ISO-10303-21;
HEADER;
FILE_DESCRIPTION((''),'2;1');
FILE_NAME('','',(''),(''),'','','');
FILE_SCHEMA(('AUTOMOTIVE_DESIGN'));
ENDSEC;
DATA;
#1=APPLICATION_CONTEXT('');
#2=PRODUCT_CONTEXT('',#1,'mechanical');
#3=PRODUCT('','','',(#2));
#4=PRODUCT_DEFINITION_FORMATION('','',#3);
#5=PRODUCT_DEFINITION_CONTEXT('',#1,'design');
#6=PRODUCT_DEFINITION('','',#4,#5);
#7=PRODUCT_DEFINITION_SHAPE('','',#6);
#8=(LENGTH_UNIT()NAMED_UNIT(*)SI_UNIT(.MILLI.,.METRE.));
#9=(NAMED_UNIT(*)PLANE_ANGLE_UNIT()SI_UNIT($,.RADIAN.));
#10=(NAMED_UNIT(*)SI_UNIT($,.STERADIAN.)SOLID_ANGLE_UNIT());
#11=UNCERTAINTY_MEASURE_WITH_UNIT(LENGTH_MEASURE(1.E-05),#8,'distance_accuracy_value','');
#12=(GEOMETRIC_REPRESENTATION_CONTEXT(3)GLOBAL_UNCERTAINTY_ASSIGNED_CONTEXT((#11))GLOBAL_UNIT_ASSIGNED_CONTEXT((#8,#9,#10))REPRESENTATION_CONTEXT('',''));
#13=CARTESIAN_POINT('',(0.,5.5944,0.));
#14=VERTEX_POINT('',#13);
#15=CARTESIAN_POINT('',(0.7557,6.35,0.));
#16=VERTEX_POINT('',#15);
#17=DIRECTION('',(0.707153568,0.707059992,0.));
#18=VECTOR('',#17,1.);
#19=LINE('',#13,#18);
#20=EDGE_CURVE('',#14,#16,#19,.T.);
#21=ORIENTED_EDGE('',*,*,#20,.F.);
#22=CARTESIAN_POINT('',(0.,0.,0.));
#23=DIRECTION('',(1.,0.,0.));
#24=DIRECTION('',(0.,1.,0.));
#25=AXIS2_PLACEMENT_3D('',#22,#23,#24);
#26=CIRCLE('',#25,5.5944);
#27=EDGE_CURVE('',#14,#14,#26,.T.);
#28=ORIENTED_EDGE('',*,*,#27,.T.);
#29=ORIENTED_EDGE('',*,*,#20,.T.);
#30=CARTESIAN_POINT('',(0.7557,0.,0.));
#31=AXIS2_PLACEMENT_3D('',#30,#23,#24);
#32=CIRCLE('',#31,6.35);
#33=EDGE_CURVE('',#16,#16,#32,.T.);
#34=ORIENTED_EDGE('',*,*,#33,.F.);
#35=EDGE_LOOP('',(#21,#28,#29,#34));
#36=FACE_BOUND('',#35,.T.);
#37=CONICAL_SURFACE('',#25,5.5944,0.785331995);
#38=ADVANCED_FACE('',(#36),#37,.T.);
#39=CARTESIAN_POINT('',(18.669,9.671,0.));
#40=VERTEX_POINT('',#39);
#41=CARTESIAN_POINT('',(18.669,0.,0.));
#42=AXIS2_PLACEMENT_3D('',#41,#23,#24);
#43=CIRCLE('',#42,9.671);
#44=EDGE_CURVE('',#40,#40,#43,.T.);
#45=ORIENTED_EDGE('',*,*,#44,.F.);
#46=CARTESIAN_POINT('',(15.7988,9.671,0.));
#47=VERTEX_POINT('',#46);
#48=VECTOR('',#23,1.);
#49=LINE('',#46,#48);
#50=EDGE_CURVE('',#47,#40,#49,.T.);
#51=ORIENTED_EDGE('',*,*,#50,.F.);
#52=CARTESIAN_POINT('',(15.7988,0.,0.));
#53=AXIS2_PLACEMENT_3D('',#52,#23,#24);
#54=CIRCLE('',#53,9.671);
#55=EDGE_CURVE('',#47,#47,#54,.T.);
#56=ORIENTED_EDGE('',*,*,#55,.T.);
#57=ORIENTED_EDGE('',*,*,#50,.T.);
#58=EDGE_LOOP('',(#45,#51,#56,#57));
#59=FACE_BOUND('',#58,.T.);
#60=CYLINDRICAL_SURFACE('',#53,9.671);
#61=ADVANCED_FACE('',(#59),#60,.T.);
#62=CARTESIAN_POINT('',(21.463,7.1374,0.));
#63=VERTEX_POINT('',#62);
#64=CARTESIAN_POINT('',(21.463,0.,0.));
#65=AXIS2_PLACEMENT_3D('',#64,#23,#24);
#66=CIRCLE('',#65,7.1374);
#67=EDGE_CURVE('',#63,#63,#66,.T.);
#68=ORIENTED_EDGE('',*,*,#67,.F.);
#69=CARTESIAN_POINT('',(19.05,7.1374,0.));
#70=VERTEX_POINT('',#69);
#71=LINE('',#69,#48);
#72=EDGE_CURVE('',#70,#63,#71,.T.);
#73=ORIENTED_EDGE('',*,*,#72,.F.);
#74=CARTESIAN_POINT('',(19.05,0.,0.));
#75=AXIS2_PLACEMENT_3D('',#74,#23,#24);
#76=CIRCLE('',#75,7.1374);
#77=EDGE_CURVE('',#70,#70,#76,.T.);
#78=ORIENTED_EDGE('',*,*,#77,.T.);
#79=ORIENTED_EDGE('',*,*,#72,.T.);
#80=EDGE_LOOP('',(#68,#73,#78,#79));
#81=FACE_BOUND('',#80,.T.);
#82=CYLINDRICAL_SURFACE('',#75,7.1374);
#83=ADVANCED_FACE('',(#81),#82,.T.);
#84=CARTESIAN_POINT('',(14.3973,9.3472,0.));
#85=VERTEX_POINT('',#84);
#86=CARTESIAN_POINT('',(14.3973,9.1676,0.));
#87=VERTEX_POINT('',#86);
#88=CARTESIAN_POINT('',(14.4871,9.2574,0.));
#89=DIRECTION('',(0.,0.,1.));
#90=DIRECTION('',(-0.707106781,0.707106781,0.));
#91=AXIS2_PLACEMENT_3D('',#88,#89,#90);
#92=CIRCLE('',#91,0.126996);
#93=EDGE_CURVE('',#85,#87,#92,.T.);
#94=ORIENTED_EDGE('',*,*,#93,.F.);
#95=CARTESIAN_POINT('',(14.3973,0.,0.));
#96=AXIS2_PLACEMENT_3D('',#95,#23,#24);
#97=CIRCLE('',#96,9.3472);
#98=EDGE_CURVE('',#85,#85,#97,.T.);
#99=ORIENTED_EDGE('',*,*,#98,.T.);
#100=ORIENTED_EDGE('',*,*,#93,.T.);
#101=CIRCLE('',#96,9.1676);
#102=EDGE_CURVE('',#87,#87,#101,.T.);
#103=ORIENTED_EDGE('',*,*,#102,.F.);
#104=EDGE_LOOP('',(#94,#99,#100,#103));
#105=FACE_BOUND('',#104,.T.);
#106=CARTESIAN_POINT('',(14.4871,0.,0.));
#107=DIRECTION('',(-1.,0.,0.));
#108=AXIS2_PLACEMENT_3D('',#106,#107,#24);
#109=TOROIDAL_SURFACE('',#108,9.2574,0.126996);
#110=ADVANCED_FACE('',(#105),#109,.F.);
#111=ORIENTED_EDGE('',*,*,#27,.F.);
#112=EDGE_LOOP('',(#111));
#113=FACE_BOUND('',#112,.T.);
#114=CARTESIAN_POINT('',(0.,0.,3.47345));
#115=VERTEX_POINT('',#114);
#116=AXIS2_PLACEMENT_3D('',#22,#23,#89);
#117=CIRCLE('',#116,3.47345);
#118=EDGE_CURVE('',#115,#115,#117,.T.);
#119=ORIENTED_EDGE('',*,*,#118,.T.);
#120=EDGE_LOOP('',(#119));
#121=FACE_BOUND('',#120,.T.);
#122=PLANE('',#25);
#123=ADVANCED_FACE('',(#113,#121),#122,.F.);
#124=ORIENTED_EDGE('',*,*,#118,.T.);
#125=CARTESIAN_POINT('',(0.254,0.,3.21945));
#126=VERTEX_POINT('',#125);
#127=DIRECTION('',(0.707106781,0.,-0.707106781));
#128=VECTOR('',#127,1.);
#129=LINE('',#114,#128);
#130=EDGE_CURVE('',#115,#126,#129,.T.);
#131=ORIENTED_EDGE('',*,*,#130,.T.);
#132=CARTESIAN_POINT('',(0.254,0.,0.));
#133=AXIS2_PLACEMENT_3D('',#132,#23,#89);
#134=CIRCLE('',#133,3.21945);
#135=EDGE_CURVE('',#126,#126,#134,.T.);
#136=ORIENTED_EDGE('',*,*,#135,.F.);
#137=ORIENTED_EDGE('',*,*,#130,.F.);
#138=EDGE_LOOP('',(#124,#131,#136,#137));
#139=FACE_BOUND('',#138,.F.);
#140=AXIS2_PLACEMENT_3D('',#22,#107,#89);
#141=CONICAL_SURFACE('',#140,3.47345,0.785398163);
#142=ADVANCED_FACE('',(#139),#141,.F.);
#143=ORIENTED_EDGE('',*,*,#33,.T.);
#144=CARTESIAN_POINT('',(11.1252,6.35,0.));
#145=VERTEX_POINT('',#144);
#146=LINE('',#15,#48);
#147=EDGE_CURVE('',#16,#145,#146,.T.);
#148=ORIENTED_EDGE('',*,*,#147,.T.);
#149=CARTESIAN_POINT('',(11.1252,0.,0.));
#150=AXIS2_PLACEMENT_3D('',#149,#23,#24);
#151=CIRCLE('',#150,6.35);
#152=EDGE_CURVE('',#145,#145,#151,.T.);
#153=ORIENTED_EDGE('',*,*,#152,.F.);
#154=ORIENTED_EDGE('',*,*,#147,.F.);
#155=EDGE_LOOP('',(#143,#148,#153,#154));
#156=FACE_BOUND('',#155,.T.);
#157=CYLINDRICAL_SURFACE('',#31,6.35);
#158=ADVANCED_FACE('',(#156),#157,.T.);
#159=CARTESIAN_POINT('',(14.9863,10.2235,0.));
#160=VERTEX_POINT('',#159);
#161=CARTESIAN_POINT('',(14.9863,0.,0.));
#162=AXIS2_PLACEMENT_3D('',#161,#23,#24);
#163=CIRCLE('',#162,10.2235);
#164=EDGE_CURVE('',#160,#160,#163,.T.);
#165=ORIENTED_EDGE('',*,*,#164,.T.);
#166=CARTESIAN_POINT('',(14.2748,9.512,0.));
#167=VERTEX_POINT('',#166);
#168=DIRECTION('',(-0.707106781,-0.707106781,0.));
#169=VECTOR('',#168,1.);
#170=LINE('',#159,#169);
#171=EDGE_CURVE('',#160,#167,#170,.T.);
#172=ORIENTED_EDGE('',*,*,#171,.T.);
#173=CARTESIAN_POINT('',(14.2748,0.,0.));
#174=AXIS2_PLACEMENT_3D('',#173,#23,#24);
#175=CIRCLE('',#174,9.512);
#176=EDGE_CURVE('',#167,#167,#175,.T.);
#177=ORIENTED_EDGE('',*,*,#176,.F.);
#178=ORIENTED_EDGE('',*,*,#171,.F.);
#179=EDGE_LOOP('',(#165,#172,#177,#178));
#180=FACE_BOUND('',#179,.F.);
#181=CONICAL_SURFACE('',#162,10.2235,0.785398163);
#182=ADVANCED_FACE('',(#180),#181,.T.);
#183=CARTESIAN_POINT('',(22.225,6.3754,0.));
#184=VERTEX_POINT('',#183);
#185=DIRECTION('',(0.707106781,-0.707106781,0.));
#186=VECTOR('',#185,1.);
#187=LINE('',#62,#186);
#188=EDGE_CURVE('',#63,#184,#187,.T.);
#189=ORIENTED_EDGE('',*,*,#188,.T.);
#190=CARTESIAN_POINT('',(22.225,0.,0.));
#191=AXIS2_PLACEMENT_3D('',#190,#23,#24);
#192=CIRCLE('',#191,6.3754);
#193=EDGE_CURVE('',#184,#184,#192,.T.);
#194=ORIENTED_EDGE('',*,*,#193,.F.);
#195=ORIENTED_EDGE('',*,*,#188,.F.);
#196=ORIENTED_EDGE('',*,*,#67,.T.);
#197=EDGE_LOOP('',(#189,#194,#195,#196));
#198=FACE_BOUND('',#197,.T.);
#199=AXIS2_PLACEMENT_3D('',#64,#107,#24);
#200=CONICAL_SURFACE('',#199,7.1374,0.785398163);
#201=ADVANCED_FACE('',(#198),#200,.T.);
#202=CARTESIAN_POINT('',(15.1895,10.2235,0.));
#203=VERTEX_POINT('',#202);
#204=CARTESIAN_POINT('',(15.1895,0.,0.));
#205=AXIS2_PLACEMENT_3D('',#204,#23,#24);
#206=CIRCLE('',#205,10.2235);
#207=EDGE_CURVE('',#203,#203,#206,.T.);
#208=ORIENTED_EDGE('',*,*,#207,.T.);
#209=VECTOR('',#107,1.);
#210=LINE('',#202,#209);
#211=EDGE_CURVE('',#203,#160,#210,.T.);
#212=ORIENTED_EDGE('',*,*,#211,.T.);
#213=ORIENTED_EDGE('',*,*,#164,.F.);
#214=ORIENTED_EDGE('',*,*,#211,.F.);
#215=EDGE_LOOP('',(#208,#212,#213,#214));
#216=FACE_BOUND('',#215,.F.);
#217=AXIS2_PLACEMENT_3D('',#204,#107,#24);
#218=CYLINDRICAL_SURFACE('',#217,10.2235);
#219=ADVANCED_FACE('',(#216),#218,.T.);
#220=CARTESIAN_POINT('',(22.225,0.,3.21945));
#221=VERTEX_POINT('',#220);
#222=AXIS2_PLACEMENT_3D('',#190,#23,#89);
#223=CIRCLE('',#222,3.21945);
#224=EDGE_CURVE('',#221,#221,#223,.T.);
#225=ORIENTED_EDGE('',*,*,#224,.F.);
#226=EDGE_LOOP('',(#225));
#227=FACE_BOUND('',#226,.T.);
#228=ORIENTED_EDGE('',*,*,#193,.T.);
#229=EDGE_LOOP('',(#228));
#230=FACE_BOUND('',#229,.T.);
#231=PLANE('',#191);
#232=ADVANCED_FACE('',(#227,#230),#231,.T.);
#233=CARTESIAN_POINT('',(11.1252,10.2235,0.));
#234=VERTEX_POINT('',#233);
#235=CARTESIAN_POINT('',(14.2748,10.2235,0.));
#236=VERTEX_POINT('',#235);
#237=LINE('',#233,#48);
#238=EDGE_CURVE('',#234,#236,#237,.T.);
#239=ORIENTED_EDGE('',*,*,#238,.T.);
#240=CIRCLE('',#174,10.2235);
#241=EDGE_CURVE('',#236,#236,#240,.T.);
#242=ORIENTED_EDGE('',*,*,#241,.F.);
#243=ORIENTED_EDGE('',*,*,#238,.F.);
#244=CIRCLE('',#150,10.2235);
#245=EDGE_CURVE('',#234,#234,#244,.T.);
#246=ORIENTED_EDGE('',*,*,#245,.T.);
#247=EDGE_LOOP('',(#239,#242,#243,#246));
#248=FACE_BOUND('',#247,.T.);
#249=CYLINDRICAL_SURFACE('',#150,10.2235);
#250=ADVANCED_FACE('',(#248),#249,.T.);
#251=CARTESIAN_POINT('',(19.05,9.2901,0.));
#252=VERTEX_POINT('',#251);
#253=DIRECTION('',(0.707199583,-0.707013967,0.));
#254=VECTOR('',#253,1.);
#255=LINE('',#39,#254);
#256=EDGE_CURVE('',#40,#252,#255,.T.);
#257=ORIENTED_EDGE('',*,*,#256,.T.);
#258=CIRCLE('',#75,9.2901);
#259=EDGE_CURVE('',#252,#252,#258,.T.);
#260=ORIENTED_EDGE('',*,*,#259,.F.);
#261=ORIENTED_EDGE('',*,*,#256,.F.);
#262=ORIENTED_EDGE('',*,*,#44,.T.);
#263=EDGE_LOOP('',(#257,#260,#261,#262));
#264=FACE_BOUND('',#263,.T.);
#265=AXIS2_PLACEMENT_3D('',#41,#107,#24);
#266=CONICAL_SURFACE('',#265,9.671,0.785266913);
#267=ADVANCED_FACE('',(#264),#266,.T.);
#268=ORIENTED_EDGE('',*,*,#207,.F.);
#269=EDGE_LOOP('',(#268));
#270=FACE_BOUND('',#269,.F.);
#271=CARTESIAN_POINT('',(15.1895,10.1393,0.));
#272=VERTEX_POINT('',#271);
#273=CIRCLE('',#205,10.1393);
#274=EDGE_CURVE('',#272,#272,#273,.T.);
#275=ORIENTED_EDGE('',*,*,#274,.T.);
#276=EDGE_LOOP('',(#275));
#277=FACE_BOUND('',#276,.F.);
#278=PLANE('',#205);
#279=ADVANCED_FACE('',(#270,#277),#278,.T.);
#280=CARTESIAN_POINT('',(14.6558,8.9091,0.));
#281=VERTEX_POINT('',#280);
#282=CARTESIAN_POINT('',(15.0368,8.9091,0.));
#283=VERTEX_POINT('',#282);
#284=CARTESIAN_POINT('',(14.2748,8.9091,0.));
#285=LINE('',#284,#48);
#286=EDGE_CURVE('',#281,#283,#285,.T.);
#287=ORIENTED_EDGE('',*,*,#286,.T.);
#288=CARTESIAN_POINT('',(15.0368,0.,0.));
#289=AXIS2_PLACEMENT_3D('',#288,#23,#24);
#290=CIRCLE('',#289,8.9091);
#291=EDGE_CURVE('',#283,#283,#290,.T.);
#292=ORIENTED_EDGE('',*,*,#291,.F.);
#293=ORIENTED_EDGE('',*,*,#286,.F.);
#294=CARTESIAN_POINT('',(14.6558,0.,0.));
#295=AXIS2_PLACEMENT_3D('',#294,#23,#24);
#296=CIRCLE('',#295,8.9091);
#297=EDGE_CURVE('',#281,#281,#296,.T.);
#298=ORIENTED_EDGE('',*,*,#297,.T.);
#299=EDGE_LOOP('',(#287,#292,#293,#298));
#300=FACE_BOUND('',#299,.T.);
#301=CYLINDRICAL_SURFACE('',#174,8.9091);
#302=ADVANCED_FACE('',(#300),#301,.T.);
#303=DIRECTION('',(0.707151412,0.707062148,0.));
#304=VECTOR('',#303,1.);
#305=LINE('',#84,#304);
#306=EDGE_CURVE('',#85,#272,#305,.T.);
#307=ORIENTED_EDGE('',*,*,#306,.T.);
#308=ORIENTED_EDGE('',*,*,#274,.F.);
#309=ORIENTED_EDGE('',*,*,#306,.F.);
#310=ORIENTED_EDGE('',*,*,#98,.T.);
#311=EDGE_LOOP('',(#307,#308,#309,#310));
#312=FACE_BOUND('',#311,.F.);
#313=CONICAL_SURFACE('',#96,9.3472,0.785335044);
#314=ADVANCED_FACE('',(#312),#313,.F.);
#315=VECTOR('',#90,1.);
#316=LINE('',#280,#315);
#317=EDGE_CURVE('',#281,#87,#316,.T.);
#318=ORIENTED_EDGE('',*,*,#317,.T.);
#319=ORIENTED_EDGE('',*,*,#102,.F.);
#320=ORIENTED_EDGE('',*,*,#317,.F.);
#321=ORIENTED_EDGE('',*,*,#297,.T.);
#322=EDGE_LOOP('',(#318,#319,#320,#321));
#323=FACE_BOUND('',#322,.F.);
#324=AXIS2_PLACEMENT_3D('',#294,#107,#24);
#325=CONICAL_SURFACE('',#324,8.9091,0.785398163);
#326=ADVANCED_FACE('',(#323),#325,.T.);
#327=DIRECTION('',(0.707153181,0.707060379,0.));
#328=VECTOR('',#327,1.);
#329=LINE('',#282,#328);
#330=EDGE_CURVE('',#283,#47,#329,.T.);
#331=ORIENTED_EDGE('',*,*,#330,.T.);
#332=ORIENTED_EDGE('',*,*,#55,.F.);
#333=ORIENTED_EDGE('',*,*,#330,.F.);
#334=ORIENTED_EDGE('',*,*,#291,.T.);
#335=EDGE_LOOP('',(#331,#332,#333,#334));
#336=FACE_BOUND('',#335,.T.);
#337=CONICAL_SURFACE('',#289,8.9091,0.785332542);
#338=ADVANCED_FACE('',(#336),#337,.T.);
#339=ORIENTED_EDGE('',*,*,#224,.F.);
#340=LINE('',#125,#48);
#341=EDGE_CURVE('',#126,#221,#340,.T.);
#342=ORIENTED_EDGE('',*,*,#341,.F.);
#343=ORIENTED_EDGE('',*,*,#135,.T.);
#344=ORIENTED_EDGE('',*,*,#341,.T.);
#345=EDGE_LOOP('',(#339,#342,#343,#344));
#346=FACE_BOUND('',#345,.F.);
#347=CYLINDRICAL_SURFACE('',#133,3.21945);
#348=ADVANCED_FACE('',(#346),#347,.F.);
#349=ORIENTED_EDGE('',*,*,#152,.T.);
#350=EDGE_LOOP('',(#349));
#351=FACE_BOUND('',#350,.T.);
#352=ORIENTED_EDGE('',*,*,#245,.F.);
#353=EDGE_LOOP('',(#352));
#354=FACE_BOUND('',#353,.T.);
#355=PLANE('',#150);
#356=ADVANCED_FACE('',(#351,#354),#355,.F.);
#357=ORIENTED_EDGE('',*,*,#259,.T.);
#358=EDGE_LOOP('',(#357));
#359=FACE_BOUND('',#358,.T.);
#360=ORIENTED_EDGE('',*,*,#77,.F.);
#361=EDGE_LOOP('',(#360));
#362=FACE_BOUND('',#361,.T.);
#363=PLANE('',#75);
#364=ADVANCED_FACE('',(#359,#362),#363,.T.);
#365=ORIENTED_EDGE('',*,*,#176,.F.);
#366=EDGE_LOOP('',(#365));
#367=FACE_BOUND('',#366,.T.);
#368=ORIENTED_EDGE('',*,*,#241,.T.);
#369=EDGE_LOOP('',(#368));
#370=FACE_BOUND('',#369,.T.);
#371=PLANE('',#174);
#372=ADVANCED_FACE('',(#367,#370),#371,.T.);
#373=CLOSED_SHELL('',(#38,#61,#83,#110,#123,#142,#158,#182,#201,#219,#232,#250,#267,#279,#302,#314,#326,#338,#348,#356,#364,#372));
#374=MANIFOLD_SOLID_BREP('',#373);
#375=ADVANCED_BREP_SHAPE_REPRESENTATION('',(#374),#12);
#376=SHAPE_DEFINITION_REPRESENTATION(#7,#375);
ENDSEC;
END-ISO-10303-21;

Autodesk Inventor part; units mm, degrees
sketch "Sketch_1" plane through (0, 0, 0) normal (0, 0, 1) x (1, 0, 0)
  line L0 (11.1252, 0) -> (0, 0)
  line L1 (0, 0) -> (0, 5.5944)
  line L2 (0, 5.5944) -> (0.7557, 6.35)
  line L3 (0.7557, 6.35) -> (11.1252, 6.35)
  line L4 (11.1252, 6.35) -> (11.1252, 0)
  line L5 (11.1252, 0) -> (0, 0)
revolve "Revolution1" add sketch "Sketch_1" angle 360 about axis through (11.1252, 0, 0) along (1, 0, 0)
thread "Thread1" size "1/2-20 UNF" class "2A" standard "ANSI Unified Screw Threads" full length
sketch "Sketch_3" plane through (0, 0, 0) normal (0, 0, 1) x (1, 0, 0)
  line L0 (19.05, 0) -> (11.1252, 0)
  line L1 (11.1252, 0) -> (11.1252, 10.2235)
  line L2 (11.1252, 10.2235) -> (14.2748, 10.2235)
  line L3 (14.2748, 10.2235) -> (14.2748, 8.9091)
  line L4 (14.2748, 8.9091) -> (15.0368, 8.9091)
  line L5 (15.0368, 8.9091) -> (15.7988, 9.671)
  line L6 (15.7988, 9.671) -> (18.669, 9.671)
  line L7 (18.669, 9.671) -> (19.05, 9.2901)
  line L8 (19.05, 9.2901) -> (19.05, 0)
  line L9 (19.05, 0) -> (11.1252, 0)
revolve "Revolution2" add sketch "Sketch_3" angle 360 about axis through (19.05, 0, 0) along (1, 0, 0)
sketch "Sketch_4" plane through (0, 0, 0) normal (0, 0, 1) x (1, 0, 0)
  line L0 (22.225, 0) -> (19.05, 0)
  line L1 (19.05, 0) -> (19.05, 7.1374)
  line L2 (19.05, 7.1374) -> (21.463, 7.1374)
  line L3 (21.463, 7.1374) -> (22.225, 6.3754)
  line L4 (22.225, 6.3754) -> (22.225, 0)
  line L5 (22.225, 0) -> (19.05, 0)
revolve "Revolution3" add sketch "Sketch_4" angle 360 about axis through (22.225, 0, 0) along (1, 0, 0)
sketch "Sketch4" plane through (0, 0, 0) normal (-1, 0, 0) x (0, 0, 1)
  point P0 (0, 0)
hole "Drilling 1" at (0, 0, 0) direction (1, 0, 0) diameter 6.4389 depth 22.225 countersink diameter 6.9469 countersink angle 90
sketch "Sketch_47" plane through (0, 0, 0) normal (0, 0, 1) x (1, 0, 0)
  line L0 (15.0368, 0) -> (14.2748, 0)
  line L1 (14.2748, 8.655) -> (15.0368, 8.655)
  line L2 (15.0368, 8.655) -> (15.0368, 8.9091)
  line L3 (15.0368, 8.9091) -> (14.6558, 8.9091)
  line L4 (14.6558, 8.9091) -> (14.3973, 9.1676)
  arc A0 (14.3973, 9.3472) -> (14.3973, 9.1676) centre (14.4871, 9.2574) ccw
  line L5 (14.3973, 9.3472) -> (15.1895, 10.1393)
  line L6 (15.1895, 10.1393) -> (15.1895, 10.2235)
  line L7 (15.1895, 10.2235) -> (14.9863, 10.2235)
  line L8 (14.9863, 10.2235) -> (14.2748, 9.512)
  line L9 (14.2748, 9.512) -> (14.2748, 8.655)
revolve "Revolution4" add sketch "Sketch_47" angle 360 about axis through (15.0368, 0, 0) along (1, 0, 0)
ref_plane "rod_guide_XY" through (0, 0, 0) normal (1, 0, 0) x (0, 0, -1)
ref_plane "rod_guide_YZ" through (0, 0, 0) normal (0, 0, -1) x (0, 1, 0)
ref_plane "rod_guide_ZX" through (0, 0, 0) normal (0, 1, 0) x (1, 0, 0)
ref_plane "to_tube_XY" through (15.0368, 0, 0) normal (1, 0, 0) x (0, 0, -1)
ref_plane "to_tube_YZ" through (15.0368, 0, 0) normal (0, 0, -1) x (0, 1, 0)
ref_plane "to_tube_ZX" through (15.0368, 0, 0) normal (0, 1, 0) x (1, 0, 0)
ref_plane "to_foot_bracket_XY" through (11.1252, 0, 0) normal (1, 0, 0) x (0, 0, -1)
ref_plane "to_foot_bracket_YZ" through (11.1252, 0, 0) normal (0, 0, -1) x (0, 1, 0)
ref_plane "to_foot_bracket_ZX" through (11.1252, 0, 0) normal (0, 1, 0) x (1, 0, 0)
ref_plane "to_nut_XY" through (11.1252, 0, 0) normal (1, 0, 0) x (0, 0, -1)
ref_plane "to_nut_YZ" through (11.1252, 0, 0) normal (0, 0, -1) x (0, 1, 0)
ref_plane "to_nut_ZX" through (11.1252, 0, 0) normal (0, 1, 0) x (1, 0, 0)
ref_plane "to_trunnion_brackets_XY" through (11.1252, 0, 0) normal (0, 1, 0) x (1, 0, 0)
ref_plane "to_trunnion_brackets_YZ" through (11.1252, 0, 0) normal (1, 0, 0) x (0, 0, -1)
ref_plane "to_trunnion_brackets_ZX" through (11.1252, 0, 0) normal (0, 0, -1) x (0, 1, 0)
ref_plane "to_trunnion_brackets1_XY" through (11.1252, 12.7, 0) normal (0, 1, 0) x (1, 0, 0)
ref_plane "to_trunnion_brackets1_YZ" through (11.1252, 12.7, 0) normal (1, 0, 0) x (0, 0, -1)
ref_plane "to_trunnion_brackets1_ZX" through (11.1252, 12.7, 0) normal (0, 0, -1) x (0, 1, 0)
ref_plane "to_trunnion_brackets2_XY" through (11.1252, -12.7, 0) normal (0, 1, 0) x (1, 0, 0)
ref_plane "to_trunnion_brackets2_YZ" through (11.1252, -12.7, 0) normal (1, 0, 0) x (0, 0, -1)
ref_plane "to_trunnion_brackets2_ZX" through (11.1252, -12.7, 0) normal (0, 0, -1) x (0, 1, 0)
ref_plane "t111_XY" through (11.1252, 0, 0) normal (1, 0, 0) x (0, 0, -1)
ref_plane "t111_YZ" through (11.1252, 0, 0) normal (0, 0, -1) x (0, 1, 0)
ref_plane "t111_ZX" through (11.1252, 0, 0) normal (0, 1, 0) x (1, 0, 0)
ref_plane "t1_XY" through (11.1252, 0, 0) normal (1, 0, 0) x (0, 0, -1)
ref_plane "t1_YZ" through (11.1252, 0, 0) normal (0, 0, -1) x (0, 1, 0)
ref_plane "t1_ZX" through (11.1252, 0, 0) normal (0, 1, 0) x (1, 0, 0)
ref_plane "to_screw_XY" through (6.35, 2.032, -6.0452) normal (0, 1, 0) x (1, 0, 0)
ref_plane "to_screw_YZ" through (6.35, 2.032, -6.0452) normal (1, 0, 0) x (0, 0, -1)
ref_plane "to_screw_ZX" through (6.35, 2.032, -6.0452) normal (0, 0, -1) x (0, 1, 0)
properties part number "04000_rod_guide"
